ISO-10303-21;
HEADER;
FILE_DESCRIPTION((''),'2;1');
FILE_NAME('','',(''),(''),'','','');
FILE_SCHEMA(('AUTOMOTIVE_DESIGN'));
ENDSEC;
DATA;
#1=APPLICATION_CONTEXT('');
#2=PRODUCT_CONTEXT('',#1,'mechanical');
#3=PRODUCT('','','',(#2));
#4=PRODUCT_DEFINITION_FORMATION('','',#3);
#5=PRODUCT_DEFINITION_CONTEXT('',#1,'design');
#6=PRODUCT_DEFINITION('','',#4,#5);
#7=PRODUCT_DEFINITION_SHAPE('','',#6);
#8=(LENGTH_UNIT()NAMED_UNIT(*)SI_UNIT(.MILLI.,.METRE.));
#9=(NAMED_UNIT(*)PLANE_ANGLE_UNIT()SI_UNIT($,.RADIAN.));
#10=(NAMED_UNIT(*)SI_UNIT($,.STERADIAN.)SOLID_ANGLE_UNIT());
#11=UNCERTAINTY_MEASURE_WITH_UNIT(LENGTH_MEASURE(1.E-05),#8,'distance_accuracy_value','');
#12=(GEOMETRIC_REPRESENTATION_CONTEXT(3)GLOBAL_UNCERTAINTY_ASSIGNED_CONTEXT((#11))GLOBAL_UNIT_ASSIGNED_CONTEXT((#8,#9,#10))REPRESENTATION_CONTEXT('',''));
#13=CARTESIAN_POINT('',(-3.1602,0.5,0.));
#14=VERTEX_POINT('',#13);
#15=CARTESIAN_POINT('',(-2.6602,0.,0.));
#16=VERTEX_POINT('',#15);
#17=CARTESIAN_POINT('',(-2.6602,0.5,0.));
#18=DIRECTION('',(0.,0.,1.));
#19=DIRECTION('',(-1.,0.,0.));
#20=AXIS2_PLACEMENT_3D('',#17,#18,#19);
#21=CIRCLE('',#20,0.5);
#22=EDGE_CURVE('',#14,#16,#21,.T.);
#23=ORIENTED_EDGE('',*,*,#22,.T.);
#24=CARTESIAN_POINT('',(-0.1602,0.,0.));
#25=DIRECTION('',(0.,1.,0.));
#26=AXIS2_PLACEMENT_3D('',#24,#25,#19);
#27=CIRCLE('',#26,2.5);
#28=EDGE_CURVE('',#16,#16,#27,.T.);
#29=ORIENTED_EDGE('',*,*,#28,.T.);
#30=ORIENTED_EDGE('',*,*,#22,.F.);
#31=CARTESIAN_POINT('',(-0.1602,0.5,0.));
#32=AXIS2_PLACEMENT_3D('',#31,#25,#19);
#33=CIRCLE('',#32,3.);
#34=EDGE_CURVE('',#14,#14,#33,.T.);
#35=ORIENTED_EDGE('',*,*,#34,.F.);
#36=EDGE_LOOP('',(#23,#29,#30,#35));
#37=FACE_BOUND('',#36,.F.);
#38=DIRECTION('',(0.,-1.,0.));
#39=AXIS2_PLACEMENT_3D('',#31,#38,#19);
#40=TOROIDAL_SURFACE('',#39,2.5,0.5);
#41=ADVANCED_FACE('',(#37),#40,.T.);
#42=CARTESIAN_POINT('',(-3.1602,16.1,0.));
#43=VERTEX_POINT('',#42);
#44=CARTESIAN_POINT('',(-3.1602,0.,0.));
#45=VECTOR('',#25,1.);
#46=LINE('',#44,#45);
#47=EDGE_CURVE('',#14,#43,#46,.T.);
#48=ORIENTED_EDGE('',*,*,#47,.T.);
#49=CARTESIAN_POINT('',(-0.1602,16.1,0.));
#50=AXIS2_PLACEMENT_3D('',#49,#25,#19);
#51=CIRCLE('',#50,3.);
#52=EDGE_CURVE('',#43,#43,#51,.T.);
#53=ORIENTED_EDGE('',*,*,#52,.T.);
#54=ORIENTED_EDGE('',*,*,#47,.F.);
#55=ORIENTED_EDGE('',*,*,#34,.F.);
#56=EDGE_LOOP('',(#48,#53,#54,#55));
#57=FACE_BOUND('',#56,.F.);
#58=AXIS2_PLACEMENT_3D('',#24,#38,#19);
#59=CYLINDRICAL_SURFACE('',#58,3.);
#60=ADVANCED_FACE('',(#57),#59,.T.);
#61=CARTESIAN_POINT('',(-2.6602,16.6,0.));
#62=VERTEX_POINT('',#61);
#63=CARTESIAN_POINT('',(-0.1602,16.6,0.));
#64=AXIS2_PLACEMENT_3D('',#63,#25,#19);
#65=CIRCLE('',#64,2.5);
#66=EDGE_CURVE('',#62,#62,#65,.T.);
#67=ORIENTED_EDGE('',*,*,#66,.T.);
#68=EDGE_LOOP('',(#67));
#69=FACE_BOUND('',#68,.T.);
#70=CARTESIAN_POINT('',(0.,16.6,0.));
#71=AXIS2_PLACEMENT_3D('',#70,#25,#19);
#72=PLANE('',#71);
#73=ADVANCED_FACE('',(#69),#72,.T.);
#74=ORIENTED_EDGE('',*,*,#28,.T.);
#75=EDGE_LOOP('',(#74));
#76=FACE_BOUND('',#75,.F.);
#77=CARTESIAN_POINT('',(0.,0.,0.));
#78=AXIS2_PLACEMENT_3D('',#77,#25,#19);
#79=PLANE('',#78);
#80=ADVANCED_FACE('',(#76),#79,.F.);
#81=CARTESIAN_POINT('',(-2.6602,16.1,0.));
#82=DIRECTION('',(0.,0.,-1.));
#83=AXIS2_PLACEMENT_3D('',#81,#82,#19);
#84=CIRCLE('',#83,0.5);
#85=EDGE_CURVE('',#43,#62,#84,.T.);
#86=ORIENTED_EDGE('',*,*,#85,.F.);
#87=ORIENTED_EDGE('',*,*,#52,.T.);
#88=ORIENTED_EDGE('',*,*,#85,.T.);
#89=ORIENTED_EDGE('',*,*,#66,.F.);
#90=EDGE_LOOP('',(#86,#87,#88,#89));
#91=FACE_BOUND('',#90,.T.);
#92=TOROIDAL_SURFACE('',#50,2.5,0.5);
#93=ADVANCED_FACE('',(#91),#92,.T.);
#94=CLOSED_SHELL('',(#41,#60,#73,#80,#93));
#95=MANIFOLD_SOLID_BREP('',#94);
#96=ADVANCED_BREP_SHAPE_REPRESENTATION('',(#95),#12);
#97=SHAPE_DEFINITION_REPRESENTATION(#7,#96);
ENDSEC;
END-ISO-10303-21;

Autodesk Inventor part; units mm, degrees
ref_plane "YZ Plane" through (0, 0, 0) normal (1, 0, 0) x (0, 1, 0)
ref_plane "XZ Plane" through (0, 0, 0) normal (0, 1, 0) x (-1, 0, 0)
ref_plane "XY Plane" through (0, 0, 0) normal (0, 0, 1) x (1, 0, 0)
sketch "Sketch1" plane through (0, 0, 0) normal (0, 1, 0) x (-1, 0, 0)
  circle A0 centre (0.1602, 0) radius 3
  point P0 (0, 0)
  dimension "d0" = 6
extrude "Extrusion2" add sketch "Sketch1" along normal blind 16.6
fillet "Fillet1" radius 0.5 1 edges at (2.8398, 16.6, 0)
fillet "Fillet2" radius 0.5 1 edges at (2.8398, 0, 0)
properties part number "connector"
